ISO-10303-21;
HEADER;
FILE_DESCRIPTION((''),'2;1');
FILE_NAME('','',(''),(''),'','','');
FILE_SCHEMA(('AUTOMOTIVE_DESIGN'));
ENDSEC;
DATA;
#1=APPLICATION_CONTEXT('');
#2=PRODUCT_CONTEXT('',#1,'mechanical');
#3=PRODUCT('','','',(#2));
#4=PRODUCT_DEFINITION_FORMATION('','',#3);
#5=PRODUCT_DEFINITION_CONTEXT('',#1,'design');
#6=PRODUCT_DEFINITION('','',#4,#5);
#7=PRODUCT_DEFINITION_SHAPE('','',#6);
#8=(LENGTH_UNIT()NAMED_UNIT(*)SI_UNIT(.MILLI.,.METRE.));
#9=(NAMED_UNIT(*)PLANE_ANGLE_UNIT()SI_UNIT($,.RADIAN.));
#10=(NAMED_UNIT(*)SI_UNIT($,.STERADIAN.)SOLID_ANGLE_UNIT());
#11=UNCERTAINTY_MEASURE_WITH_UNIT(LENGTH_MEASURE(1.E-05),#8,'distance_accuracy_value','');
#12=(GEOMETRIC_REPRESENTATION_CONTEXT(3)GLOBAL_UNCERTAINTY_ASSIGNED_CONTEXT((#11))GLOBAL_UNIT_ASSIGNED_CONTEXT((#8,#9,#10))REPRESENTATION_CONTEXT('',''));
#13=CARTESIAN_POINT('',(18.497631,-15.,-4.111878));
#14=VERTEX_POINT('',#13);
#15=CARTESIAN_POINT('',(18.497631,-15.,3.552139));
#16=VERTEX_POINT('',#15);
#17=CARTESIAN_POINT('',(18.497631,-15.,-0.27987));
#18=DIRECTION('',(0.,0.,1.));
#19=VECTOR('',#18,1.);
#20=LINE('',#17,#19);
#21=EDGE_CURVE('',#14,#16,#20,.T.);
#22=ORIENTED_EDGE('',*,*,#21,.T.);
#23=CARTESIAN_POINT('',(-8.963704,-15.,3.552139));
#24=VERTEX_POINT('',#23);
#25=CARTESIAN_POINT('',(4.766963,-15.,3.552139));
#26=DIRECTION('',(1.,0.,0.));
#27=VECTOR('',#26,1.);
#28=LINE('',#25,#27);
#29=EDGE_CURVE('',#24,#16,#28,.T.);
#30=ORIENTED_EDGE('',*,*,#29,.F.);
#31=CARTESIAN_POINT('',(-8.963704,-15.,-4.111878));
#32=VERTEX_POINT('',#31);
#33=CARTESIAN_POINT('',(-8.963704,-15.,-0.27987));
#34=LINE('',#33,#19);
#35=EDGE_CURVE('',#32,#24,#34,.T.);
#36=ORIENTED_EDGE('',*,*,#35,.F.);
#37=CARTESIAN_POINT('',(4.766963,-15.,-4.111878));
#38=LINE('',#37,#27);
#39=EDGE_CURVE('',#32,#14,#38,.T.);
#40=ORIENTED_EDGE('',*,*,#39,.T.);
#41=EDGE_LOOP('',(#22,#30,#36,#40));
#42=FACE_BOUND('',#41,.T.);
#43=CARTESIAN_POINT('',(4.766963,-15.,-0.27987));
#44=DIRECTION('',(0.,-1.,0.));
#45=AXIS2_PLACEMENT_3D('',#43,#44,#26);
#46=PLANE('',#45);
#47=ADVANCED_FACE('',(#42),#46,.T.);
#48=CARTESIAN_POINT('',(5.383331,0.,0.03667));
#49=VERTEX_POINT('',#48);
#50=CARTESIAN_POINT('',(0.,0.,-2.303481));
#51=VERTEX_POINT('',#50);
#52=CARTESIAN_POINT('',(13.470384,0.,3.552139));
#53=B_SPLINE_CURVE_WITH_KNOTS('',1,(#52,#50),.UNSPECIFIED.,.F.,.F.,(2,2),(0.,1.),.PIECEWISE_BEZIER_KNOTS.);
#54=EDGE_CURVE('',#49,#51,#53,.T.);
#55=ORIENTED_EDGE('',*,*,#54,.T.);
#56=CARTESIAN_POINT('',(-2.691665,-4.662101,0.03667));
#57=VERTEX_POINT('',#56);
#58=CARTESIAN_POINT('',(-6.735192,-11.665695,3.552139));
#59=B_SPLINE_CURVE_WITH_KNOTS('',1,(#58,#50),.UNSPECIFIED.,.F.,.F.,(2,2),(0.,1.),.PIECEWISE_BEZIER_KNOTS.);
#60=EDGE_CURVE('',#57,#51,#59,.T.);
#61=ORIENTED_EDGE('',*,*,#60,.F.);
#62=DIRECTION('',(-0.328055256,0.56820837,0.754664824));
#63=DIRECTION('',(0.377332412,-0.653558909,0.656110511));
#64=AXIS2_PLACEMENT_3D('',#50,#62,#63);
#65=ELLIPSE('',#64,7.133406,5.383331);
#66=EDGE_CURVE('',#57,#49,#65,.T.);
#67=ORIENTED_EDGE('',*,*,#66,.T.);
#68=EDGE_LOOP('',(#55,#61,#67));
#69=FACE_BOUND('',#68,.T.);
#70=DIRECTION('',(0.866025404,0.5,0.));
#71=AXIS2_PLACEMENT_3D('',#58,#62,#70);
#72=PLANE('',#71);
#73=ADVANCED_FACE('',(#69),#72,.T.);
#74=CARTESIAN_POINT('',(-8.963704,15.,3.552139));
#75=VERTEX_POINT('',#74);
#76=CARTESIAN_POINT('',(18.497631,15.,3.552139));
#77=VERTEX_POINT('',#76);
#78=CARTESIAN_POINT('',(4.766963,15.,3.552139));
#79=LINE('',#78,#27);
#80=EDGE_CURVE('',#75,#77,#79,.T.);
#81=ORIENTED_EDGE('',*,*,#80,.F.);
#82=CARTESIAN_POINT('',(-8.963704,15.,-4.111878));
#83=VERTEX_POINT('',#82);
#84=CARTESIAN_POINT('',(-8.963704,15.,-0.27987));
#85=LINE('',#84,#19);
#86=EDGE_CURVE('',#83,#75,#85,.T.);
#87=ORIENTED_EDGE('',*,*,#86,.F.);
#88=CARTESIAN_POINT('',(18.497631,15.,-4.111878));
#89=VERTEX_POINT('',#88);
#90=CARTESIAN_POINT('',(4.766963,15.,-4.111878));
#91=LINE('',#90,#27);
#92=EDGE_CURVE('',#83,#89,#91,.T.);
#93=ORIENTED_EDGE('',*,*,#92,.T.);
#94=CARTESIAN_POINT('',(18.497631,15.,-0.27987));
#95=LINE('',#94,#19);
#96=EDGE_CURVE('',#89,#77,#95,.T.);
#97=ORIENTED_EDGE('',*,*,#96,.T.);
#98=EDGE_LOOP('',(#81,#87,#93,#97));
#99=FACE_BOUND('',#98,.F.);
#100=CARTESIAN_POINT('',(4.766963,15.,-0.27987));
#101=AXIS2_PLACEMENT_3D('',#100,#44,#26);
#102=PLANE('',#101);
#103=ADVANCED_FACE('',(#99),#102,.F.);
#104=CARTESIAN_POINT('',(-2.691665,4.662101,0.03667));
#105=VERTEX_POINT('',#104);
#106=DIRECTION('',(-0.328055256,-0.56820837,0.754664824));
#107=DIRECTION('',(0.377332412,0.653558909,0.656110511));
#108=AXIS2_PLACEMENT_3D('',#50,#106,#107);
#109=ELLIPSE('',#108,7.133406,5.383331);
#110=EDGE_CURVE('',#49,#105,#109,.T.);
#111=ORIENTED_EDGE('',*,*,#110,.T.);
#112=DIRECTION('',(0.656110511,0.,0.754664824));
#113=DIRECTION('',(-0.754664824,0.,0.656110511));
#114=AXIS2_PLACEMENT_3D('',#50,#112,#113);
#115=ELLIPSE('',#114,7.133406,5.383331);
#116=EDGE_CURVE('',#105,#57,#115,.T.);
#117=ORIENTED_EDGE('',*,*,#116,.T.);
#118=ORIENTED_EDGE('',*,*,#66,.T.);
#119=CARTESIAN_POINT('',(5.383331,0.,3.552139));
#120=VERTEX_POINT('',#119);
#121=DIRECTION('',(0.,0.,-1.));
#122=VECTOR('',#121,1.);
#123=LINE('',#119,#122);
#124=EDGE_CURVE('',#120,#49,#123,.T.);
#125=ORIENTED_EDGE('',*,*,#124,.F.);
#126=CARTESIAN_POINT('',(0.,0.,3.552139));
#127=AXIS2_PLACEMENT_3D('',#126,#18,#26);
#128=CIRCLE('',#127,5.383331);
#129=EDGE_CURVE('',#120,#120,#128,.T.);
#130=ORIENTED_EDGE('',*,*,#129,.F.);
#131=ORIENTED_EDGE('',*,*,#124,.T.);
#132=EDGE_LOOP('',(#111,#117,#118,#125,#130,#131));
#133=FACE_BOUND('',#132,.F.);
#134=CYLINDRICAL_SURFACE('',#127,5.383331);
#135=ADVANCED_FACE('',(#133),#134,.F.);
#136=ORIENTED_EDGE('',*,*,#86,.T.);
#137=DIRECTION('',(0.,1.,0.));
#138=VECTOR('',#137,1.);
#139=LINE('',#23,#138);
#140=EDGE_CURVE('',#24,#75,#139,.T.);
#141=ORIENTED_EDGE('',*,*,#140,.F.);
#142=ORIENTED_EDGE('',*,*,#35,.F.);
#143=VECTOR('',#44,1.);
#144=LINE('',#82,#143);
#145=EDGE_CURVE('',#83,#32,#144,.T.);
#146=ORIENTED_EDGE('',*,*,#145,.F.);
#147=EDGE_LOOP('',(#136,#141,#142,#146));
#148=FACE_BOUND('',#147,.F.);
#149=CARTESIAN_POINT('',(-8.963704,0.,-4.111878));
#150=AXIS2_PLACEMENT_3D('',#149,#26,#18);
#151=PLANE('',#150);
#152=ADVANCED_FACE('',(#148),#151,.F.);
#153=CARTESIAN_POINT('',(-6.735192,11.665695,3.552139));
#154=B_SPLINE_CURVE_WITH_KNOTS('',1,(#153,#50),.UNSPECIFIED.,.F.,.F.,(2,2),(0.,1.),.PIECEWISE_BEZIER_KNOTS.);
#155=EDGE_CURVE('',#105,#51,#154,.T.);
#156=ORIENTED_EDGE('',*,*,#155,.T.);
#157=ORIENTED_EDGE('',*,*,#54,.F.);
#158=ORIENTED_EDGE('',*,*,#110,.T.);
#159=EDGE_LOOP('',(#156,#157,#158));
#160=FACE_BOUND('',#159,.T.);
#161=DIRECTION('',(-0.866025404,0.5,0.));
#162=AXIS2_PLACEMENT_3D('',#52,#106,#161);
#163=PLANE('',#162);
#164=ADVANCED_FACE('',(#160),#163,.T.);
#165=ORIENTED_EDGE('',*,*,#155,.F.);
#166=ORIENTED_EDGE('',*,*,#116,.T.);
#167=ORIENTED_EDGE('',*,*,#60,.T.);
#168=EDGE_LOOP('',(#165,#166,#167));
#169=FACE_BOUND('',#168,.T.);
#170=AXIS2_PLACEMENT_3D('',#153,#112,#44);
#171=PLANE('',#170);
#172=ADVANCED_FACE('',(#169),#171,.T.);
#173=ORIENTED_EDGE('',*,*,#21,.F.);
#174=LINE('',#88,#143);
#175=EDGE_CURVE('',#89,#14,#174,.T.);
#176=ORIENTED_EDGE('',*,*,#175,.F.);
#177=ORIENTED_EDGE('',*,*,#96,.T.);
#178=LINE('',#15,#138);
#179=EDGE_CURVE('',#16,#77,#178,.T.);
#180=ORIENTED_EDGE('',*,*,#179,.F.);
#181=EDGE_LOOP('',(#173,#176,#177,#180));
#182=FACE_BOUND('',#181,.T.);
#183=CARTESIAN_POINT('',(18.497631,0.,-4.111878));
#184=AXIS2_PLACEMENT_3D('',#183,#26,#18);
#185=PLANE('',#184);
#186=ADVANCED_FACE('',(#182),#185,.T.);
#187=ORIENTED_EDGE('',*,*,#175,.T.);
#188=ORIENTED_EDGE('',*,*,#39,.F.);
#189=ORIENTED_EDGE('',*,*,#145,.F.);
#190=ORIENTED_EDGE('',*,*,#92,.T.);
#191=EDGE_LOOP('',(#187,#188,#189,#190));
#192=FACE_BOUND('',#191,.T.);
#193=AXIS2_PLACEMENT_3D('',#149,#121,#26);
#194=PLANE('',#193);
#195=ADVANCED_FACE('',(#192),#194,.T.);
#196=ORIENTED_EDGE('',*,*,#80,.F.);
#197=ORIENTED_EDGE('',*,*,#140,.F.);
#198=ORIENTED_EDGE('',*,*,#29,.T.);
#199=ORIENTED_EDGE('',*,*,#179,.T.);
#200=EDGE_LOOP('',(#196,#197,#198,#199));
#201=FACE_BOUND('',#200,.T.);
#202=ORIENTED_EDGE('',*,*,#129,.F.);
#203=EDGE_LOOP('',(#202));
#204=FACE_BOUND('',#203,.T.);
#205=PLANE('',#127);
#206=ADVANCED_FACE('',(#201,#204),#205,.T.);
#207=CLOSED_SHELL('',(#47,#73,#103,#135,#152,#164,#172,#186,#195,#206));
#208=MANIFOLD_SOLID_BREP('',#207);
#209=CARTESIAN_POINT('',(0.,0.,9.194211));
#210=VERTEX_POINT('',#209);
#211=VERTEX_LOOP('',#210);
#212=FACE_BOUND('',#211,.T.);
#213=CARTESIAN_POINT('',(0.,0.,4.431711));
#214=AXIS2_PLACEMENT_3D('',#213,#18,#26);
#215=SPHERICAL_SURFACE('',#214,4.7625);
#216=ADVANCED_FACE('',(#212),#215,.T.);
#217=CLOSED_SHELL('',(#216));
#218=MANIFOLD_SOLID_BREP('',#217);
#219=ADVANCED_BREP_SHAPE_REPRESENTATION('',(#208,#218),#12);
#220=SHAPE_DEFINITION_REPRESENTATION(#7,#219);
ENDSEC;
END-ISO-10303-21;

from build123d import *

# Parameters (mm, degrees)
F1_W     = 27.461335063
F1_H     = 7.6640169136
F2_DEPTH = 15
F5_R     = 5.3833305073


with BuildPart() as f2:
    # F1 (on Front) → F2 (new body, symmetric)
    with BuildSketch(Plane.XZ):
        with Locations((4.7669634223, -0.2798696514)):
            Rectangle(F1_W, F1_H)
    extrude(amount=F2_DEPTH, both=True)

    # F3 (on face) → F4 section 0
    with BuildSketch(Plane.XY.offset(3.5521388054), mode=Mode.PRIVATE) as f4_s0:
        Polygon((-6.7351920908, 11.6656949), (-6.7351920908, -11.6656949), (13.4703841816, 0), align=None)
    loft([f4_s0.sketch, Vertex(0, 0, -2.3034810466)], mode=Mode.SUBTRACT)

    # F5 (on face) → F6 (join, up to the next surface of F2)
    with BuildSketch(Plane.XY.offset(3.5521388054)):
        Polygon((-6.7351920908, 11.6656949), (-6.7351920908, -11.6656949), (13.4703841816, 0), align=None)
        Circle(F5_R, mode=Mode.SUBTRACT)
    extrude(until=Until.NEXT, dir=(0, 0, -1))


with BuildPart() as f7:
    # F0 (on Front) → F7 (revolve)
    with BuildSketch(Plane.XZ):
        with BuildLine():
            Line((0, 9.1942110442), (0, 4.4317110442))
            Line((0, 4.4317110442), (0, -0.3307889558))
            ThreePointArc((0, -0.3307889558), (4.7625, 4.4317110442), (0, 9.1942110442))
        make_face()
    revolve(axis=Axis((0, 0, 10.9121449929), (0, 0, 1)))


solid = Compound([f2.part, f7.part])
